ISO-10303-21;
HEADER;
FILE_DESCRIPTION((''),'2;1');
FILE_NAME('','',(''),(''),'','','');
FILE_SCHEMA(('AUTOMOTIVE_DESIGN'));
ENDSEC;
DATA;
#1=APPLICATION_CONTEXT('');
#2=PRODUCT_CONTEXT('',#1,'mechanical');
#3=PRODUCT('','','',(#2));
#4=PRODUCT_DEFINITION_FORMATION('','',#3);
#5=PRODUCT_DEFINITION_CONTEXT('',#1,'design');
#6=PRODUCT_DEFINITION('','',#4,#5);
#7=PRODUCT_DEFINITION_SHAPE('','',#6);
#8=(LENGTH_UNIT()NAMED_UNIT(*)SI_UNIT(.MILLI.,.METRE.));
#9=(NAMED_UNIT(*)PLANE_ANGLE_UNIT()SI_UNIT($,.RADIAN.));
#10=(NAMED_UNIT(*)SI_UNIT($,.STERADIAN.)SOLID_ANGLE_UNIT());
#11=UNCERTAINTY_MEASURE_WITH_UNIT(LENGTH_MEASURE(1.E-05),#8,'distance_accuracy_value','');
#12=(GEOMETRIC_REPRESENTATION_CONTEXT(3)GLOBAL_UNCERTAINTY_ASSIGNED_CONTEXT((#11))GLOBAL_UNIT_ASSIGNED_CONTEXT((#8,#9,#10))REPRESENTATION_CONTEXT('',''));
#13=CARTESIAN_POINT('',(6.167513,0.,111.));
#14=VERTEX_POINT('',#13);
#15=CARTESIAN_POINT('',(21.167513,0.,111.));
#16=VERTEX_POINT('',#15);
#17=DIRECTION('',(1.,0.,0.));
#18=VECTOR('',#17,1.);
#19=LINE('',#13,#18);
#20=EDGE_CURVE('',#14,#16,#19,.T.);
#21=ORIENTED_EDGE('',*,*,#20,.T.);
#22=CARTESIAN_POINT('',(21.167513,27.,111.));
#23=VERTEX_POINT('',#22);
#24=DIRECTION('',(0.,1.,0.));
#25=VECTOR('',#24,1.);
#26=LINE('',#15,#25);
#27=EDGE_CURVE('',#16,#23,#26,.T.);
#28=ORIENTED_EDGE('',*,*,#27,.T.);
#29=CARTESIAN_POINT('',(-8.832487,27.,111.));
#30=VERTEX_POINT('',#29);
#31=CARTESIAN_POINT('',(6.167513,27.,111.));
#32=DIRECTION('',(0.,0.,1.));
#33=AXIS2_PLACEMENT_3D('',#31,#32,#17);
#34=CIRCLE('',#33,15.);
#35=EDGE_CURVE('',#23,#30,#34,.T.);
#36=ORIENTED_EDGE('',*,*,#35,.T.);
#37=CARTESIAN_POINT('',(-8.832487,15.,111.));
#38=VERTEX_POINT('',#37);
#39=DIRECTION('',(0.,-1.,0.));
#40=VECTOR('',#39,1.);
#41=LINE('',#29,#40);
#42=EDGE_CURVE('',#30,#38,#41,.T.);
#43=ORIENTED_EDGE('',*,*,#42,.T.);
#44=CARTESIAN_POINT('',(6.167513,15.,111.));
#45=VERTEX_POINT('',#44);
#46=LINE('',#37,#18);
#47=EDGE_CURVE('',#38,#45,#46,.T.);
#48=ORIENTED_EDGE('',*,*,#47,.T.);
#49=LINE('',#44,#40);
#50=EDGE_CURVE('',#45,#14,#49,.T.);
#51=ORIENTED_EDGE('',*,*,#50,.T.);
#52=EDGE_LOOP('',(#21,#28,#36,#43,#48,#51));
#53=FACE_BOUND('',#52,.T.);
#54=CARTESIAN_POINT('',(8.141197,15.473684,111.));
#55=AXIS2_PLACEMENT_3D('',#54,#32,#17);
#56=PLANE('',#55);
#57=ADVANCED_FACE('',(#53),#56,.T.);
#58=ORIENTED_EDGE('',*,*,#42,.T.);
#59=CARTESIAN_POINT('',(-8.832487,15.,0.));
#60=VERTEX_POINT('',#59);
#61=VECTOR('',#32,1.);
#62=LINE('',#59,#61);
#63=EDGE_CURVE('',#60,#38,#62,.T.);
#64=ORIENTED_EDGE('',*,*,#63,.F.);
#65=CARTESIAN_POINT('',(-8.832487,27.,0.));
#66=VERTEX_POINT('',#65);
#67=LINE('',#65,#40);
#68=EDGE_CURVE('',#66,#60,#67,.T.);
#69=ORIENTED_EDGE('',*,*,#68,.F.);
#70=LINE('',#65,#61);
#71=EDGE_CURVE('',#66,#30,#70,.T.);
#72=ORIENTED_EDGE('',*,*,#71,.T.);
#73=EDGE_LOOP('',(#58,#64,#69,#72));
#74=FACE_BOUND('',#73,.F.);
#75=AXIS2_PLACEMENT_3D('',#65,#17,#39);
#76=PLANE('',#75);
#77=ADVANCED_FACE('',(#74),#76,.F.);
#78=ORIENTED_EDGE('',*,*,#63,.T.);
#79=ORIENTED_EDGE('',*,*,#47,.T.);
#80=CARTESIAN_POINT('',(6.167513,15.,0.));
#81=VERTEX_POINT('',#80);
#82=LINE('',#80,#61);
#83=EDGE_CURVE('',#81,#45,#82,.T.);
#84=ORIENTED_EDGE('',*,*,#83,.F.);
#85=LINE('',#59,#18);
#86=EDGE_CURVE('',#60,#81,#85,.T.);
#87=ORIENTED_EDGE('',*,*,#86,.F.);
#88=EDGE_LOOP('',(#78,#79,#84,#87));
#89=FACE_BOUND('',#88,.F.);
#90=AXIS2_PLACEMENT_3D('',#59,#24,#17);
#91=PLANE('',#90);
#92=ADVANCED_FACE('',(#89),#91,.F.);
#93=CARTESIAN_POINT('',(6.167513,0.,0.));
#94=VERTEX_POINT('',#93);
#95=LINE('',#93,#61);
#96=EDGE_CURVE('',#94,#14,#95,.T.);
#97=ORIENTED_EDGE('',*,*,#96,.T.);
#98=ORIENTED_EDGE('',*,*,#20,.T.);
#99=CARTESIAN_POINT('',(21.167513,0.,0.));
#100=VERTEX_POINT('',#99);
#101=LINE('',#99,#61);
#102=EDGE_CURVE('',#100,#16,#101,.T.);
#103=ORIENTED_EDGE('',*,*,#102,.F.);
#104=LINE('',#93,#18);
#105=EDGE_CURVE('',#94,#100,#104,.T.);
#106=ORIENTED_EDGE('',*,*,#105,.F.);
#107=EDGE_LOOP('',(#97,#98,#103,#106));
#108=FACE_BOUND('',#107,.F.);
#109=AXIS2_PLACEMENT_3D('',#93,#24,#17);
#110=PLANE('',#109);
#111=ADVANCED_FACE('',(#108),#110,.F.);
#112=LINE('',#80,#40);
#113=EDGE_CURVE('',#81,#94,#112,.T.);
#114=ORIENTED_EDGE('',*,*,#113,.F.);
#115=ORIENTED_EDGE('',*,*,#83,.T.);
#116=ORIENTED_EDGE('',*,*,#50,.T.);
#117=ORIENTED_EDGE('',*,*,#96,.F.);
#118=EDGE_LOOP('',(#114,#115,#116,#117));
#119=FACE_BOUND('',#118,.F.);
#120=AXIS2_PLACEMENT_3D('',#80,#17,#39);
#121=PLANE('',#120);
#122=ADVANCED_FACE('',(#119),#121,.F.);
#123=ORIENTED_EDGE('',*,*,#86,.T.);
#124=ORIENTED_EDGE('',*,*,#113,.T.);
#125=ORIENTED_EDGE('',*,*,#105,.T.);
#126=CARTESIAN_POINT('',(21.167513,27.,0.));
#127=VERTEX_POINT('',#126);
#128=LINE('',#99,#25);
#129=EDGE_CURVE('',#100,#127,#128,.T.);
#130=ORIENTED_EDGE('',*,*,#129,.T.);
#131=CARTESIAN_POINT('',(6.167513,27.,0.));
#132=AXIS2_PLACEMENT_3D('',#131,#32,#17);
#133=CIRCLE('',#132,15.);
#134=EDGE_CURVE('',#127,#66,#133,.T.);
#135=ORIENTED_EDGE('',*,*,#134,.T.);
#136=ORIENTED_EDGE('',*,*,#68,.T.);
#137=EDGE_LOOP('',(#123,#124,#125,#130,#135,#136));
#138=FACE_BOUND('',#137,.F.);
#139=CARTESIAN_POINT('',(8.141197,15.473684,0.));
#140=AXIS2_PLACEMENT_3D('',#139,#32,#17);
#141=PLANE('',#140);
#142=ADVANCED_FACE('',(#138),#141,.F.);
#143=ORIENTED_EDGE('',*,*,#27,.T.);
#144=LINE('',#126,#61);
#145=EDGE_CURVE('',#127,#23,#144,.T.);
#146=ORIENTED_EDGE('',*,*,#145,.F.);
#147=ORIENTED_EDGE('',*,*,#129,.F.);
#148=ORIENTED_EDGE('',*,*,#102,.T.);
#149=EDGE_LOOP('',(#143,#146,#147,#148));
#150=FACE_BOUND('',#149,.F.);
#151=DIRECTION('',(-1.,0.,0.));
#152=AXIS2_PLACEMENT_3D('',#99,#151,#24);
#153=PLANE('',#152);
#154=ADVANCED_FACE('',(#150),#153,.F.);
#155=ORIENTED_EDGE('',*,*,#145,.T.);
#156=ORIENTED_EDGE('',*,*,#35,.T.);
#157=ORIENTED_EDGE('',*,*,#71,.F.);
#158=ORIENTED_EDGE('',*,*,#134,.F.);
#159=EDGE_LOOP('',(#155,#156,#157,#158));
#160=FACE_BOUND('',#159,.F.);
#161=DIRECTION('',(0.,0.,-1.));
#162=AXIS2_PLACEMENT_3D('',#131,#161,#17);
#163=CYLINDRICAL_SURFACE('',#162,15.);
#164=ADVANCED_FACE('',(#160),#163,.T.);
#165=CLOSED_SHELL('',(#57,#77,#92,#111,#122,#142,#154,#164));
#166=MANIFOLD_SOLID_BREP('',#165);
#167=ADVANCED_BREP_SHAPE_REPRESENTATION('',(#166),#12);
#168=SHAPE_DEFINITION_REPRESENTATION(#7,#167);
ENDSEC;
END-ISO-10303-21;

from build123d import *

# Parameters (mm, degrees)
F1_DEPTH = 111


with BuildPart() as f1:
    # F0 (on Top) → F1 (new body)
    with BuildSketch(Plane.XY):
        Polygon((6.167513, 15), (6.167513, 0), (21.167513, 0), (21.167513, 27), (-8.832487, 27), (-8.832487, 15), align=None)
        with BuildLine():
            Line((-8.832487, 27), (21.167513, 27))
            ThreePointArc((21.167513, 27), (6.167513, 42), (-8.832487, 27))
        make_face()
    extrude(amount=F1_DEPTH)


solid = f1.part
